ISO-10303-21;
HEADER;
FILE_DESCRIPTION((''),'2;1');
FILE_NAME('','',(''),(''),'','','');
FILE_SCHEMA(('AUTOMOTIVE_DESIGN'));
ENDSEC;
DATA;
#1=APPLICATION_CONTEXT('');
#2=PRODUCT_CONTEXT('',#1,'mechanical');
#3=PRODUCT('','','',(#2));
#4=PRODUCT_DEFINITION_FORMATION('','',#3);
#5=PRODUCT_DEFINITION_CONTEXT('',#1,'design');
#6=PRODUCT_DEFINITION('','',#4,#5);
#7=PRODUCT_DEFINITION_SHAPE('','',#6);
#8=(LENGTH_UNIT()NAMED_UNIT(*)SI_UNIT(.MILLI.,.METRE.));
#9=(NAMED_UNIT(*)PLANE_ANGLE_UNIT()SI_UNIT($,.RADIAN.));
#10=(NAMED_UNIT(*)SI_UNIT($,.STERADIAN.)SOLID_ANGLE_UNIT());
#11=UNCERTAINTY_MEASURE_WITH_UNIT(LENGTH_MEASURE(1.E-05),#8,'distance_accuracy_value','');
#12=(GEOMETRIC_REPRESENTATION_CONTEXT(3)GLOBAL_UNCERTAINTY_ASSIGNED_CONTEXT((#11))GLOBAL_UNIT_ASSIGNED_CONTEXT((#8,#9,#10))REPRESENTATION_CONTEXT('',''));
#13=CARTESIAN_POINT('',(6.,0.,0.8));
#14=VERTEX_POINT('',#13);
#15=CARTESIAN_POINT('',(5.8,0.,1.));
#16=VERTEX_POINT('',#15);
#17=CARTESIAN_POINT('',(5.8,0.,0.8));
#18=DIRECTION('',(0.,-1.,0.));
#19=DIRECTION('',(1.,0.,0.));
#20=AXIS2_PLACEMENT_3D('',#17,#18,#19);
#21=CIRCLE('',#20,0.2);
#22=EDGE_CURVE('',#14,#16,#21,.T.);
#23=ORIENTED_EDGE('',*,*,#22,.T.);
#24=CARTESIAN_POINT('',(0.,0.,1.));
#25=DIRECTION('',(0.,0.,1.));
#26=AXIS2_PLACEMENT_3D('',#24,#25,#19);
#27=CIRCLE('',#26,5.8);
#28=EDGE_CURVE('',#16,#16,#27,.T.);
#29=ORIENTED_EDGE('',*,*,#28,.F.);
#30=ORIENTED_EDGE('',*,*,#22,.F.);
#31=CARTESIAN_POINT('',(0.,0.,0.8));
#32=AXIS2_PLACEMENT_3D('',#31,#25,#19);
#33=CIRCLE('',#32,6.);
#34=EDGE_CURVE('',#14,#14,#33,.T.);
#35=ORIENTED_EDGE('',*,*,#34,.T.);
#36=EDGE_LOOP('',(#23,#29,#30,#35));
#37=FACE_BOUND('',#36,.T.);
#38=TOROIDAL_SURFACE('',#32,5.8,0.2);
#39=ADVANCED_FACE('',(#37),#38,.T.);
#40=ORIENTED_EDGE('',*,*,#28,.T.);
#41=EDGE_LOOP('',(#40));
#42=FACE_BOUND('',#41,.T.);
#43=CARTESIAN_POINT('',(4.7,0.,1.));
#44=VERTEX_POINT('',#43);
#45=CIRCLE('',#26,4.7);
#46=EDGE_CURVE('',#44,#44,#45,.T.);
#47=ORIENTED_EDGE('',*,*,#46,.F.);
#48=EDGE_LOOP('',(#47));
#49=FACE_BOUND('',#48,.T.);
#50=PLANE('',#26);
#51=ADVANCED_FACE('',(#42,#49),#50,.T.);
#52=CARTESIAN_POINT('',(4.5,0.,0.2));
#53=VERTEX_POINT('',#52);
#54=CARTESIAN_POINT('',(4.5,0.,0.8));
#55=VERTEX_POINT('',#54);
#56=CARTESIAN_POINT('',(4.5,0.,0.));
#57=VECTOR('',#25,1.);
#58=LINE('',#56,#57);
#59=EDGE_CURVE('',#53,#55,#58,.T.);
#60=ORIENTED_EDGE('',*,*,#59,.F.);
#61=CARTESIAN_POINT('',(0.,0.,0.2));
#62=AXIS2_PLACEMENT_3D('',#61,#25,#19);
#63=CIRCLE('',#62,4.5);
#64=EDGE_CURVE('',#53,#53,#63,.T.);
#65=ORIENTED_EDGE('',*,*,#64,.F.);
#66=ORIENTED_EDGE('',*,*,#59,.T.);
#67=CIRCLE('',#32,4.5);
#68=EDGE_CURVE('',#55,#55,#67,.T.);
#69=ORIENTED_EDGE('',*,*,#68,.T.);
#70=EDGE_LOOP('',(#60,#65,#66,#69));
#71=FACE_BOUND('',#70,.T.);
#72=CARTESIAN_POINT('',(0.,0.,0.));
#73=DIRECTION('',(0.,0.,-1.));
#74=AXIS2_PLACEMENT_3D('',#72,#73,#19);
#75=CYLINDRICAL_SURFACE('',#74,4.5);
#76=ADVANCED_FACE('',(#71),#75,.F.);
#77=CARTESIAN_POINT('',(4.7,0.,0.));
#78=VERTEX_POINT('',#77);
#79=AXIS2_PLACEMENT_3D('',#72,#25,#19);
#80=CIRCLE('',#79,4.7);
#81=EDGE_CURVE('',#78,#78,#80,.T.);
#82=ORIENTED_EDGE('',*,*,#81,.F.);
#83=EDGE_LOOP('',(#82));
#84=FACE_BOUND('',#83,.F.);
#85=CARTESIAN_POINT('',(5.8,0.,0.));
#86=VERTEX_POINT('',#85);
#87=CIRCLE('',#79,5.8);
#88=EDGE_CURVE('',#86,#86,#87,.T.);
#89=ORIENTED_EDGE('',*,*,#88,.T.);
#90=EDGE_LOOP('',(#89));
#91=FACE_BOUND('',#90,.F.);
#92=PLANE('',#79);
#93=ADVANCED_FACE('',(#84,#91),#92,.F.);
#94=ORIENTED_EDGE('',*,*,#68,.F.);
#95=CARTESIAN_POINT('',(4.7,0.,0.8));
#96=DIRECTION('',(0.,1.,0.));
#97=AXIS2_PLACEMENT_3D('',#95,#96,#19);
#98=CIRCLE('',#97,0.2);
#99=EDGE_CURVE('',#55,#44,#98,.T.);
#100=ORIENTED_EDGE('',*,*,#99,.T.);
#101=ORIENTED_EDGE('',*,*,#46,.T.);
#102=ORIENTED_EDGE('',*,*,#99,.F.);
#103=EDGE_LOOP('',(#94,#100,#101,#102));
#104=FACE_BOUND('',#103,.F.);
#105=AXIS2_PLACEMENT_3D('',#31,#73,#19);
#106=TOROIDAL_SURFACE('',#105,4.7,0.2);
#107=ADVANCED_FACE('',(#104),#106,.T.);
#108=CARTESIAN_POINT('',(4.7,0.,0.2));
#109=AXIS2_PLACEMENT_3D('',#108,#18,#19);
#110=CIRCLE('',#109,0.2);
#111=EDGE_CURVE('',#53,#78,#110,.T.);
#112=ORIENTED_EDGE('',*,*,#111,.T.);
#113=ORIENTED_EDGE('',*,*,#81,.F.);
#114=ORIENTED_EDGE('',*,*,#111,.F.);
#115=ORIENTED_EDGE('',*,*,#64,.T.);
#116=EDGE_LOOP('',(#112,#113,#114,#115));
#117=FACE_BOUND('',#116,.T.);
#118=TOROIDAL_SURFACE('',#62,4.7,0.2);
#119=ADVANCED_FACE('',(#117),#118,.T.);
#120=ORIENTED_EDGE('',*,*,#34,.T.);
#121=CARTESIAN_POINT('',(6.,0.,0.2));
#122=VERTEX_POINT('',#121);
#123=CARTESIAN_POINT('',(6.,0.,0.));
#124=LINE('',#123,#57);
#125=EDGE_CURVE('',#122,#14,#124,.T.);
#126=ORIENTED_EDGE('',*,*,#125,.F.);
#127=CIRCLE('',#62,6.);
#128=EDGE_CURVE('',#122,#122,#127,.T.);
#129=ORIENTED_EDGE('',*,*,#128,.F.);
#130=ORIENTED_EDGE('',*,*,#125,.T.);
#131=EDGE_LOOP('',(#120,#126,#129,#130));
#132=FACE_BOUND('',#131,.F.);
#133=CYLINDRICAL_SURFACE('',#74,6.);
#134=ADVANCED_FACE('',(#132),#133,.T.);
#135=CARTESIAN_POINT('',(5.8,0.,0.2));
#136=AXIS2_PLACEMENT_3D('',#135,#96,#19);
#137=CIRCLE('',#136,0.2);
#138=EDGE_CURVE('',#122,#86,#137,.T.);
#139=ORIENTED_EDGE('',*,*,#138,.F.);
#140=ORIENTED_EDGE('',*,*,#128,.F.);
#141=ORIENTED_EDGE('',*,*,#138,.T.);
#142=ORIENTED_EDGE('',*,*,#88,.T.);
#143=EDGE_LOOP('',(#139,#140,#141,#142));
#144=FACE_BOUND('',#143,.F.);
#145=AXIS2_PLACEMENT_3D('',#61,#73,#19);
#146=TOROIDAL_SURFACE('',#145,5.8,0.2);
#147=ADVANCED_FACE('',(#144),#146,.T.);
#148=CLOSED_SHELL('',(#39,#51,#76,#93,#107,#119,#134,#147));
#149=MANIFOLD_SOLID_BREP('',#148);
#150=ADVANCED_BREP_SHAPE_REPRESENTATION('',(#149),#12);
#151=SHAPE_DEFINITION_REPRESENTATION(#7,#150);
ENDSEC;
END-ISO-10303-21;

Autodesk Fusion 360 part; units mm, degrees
sketch "Sketch1" plane through (0, 0, 0) normal (0, 0, 1) x (1, 0, 0)
  circle A0 centre (0, 0) radius 4.5
  circle A1 centre (0, 0) radius 6
  dimension "d1" = 9
  dimension "d2" = 12
extrude "Extrude1" add sketch "Sketch1" along normal blind 1
fillet "Fillet1" radius 0.2 4 edges at (-5.594, -2.1697, 1) (-4.1955, 1.6273, 1) (-4.1955, 1.6273, 0) (-5.594, -2.1697, 0)
